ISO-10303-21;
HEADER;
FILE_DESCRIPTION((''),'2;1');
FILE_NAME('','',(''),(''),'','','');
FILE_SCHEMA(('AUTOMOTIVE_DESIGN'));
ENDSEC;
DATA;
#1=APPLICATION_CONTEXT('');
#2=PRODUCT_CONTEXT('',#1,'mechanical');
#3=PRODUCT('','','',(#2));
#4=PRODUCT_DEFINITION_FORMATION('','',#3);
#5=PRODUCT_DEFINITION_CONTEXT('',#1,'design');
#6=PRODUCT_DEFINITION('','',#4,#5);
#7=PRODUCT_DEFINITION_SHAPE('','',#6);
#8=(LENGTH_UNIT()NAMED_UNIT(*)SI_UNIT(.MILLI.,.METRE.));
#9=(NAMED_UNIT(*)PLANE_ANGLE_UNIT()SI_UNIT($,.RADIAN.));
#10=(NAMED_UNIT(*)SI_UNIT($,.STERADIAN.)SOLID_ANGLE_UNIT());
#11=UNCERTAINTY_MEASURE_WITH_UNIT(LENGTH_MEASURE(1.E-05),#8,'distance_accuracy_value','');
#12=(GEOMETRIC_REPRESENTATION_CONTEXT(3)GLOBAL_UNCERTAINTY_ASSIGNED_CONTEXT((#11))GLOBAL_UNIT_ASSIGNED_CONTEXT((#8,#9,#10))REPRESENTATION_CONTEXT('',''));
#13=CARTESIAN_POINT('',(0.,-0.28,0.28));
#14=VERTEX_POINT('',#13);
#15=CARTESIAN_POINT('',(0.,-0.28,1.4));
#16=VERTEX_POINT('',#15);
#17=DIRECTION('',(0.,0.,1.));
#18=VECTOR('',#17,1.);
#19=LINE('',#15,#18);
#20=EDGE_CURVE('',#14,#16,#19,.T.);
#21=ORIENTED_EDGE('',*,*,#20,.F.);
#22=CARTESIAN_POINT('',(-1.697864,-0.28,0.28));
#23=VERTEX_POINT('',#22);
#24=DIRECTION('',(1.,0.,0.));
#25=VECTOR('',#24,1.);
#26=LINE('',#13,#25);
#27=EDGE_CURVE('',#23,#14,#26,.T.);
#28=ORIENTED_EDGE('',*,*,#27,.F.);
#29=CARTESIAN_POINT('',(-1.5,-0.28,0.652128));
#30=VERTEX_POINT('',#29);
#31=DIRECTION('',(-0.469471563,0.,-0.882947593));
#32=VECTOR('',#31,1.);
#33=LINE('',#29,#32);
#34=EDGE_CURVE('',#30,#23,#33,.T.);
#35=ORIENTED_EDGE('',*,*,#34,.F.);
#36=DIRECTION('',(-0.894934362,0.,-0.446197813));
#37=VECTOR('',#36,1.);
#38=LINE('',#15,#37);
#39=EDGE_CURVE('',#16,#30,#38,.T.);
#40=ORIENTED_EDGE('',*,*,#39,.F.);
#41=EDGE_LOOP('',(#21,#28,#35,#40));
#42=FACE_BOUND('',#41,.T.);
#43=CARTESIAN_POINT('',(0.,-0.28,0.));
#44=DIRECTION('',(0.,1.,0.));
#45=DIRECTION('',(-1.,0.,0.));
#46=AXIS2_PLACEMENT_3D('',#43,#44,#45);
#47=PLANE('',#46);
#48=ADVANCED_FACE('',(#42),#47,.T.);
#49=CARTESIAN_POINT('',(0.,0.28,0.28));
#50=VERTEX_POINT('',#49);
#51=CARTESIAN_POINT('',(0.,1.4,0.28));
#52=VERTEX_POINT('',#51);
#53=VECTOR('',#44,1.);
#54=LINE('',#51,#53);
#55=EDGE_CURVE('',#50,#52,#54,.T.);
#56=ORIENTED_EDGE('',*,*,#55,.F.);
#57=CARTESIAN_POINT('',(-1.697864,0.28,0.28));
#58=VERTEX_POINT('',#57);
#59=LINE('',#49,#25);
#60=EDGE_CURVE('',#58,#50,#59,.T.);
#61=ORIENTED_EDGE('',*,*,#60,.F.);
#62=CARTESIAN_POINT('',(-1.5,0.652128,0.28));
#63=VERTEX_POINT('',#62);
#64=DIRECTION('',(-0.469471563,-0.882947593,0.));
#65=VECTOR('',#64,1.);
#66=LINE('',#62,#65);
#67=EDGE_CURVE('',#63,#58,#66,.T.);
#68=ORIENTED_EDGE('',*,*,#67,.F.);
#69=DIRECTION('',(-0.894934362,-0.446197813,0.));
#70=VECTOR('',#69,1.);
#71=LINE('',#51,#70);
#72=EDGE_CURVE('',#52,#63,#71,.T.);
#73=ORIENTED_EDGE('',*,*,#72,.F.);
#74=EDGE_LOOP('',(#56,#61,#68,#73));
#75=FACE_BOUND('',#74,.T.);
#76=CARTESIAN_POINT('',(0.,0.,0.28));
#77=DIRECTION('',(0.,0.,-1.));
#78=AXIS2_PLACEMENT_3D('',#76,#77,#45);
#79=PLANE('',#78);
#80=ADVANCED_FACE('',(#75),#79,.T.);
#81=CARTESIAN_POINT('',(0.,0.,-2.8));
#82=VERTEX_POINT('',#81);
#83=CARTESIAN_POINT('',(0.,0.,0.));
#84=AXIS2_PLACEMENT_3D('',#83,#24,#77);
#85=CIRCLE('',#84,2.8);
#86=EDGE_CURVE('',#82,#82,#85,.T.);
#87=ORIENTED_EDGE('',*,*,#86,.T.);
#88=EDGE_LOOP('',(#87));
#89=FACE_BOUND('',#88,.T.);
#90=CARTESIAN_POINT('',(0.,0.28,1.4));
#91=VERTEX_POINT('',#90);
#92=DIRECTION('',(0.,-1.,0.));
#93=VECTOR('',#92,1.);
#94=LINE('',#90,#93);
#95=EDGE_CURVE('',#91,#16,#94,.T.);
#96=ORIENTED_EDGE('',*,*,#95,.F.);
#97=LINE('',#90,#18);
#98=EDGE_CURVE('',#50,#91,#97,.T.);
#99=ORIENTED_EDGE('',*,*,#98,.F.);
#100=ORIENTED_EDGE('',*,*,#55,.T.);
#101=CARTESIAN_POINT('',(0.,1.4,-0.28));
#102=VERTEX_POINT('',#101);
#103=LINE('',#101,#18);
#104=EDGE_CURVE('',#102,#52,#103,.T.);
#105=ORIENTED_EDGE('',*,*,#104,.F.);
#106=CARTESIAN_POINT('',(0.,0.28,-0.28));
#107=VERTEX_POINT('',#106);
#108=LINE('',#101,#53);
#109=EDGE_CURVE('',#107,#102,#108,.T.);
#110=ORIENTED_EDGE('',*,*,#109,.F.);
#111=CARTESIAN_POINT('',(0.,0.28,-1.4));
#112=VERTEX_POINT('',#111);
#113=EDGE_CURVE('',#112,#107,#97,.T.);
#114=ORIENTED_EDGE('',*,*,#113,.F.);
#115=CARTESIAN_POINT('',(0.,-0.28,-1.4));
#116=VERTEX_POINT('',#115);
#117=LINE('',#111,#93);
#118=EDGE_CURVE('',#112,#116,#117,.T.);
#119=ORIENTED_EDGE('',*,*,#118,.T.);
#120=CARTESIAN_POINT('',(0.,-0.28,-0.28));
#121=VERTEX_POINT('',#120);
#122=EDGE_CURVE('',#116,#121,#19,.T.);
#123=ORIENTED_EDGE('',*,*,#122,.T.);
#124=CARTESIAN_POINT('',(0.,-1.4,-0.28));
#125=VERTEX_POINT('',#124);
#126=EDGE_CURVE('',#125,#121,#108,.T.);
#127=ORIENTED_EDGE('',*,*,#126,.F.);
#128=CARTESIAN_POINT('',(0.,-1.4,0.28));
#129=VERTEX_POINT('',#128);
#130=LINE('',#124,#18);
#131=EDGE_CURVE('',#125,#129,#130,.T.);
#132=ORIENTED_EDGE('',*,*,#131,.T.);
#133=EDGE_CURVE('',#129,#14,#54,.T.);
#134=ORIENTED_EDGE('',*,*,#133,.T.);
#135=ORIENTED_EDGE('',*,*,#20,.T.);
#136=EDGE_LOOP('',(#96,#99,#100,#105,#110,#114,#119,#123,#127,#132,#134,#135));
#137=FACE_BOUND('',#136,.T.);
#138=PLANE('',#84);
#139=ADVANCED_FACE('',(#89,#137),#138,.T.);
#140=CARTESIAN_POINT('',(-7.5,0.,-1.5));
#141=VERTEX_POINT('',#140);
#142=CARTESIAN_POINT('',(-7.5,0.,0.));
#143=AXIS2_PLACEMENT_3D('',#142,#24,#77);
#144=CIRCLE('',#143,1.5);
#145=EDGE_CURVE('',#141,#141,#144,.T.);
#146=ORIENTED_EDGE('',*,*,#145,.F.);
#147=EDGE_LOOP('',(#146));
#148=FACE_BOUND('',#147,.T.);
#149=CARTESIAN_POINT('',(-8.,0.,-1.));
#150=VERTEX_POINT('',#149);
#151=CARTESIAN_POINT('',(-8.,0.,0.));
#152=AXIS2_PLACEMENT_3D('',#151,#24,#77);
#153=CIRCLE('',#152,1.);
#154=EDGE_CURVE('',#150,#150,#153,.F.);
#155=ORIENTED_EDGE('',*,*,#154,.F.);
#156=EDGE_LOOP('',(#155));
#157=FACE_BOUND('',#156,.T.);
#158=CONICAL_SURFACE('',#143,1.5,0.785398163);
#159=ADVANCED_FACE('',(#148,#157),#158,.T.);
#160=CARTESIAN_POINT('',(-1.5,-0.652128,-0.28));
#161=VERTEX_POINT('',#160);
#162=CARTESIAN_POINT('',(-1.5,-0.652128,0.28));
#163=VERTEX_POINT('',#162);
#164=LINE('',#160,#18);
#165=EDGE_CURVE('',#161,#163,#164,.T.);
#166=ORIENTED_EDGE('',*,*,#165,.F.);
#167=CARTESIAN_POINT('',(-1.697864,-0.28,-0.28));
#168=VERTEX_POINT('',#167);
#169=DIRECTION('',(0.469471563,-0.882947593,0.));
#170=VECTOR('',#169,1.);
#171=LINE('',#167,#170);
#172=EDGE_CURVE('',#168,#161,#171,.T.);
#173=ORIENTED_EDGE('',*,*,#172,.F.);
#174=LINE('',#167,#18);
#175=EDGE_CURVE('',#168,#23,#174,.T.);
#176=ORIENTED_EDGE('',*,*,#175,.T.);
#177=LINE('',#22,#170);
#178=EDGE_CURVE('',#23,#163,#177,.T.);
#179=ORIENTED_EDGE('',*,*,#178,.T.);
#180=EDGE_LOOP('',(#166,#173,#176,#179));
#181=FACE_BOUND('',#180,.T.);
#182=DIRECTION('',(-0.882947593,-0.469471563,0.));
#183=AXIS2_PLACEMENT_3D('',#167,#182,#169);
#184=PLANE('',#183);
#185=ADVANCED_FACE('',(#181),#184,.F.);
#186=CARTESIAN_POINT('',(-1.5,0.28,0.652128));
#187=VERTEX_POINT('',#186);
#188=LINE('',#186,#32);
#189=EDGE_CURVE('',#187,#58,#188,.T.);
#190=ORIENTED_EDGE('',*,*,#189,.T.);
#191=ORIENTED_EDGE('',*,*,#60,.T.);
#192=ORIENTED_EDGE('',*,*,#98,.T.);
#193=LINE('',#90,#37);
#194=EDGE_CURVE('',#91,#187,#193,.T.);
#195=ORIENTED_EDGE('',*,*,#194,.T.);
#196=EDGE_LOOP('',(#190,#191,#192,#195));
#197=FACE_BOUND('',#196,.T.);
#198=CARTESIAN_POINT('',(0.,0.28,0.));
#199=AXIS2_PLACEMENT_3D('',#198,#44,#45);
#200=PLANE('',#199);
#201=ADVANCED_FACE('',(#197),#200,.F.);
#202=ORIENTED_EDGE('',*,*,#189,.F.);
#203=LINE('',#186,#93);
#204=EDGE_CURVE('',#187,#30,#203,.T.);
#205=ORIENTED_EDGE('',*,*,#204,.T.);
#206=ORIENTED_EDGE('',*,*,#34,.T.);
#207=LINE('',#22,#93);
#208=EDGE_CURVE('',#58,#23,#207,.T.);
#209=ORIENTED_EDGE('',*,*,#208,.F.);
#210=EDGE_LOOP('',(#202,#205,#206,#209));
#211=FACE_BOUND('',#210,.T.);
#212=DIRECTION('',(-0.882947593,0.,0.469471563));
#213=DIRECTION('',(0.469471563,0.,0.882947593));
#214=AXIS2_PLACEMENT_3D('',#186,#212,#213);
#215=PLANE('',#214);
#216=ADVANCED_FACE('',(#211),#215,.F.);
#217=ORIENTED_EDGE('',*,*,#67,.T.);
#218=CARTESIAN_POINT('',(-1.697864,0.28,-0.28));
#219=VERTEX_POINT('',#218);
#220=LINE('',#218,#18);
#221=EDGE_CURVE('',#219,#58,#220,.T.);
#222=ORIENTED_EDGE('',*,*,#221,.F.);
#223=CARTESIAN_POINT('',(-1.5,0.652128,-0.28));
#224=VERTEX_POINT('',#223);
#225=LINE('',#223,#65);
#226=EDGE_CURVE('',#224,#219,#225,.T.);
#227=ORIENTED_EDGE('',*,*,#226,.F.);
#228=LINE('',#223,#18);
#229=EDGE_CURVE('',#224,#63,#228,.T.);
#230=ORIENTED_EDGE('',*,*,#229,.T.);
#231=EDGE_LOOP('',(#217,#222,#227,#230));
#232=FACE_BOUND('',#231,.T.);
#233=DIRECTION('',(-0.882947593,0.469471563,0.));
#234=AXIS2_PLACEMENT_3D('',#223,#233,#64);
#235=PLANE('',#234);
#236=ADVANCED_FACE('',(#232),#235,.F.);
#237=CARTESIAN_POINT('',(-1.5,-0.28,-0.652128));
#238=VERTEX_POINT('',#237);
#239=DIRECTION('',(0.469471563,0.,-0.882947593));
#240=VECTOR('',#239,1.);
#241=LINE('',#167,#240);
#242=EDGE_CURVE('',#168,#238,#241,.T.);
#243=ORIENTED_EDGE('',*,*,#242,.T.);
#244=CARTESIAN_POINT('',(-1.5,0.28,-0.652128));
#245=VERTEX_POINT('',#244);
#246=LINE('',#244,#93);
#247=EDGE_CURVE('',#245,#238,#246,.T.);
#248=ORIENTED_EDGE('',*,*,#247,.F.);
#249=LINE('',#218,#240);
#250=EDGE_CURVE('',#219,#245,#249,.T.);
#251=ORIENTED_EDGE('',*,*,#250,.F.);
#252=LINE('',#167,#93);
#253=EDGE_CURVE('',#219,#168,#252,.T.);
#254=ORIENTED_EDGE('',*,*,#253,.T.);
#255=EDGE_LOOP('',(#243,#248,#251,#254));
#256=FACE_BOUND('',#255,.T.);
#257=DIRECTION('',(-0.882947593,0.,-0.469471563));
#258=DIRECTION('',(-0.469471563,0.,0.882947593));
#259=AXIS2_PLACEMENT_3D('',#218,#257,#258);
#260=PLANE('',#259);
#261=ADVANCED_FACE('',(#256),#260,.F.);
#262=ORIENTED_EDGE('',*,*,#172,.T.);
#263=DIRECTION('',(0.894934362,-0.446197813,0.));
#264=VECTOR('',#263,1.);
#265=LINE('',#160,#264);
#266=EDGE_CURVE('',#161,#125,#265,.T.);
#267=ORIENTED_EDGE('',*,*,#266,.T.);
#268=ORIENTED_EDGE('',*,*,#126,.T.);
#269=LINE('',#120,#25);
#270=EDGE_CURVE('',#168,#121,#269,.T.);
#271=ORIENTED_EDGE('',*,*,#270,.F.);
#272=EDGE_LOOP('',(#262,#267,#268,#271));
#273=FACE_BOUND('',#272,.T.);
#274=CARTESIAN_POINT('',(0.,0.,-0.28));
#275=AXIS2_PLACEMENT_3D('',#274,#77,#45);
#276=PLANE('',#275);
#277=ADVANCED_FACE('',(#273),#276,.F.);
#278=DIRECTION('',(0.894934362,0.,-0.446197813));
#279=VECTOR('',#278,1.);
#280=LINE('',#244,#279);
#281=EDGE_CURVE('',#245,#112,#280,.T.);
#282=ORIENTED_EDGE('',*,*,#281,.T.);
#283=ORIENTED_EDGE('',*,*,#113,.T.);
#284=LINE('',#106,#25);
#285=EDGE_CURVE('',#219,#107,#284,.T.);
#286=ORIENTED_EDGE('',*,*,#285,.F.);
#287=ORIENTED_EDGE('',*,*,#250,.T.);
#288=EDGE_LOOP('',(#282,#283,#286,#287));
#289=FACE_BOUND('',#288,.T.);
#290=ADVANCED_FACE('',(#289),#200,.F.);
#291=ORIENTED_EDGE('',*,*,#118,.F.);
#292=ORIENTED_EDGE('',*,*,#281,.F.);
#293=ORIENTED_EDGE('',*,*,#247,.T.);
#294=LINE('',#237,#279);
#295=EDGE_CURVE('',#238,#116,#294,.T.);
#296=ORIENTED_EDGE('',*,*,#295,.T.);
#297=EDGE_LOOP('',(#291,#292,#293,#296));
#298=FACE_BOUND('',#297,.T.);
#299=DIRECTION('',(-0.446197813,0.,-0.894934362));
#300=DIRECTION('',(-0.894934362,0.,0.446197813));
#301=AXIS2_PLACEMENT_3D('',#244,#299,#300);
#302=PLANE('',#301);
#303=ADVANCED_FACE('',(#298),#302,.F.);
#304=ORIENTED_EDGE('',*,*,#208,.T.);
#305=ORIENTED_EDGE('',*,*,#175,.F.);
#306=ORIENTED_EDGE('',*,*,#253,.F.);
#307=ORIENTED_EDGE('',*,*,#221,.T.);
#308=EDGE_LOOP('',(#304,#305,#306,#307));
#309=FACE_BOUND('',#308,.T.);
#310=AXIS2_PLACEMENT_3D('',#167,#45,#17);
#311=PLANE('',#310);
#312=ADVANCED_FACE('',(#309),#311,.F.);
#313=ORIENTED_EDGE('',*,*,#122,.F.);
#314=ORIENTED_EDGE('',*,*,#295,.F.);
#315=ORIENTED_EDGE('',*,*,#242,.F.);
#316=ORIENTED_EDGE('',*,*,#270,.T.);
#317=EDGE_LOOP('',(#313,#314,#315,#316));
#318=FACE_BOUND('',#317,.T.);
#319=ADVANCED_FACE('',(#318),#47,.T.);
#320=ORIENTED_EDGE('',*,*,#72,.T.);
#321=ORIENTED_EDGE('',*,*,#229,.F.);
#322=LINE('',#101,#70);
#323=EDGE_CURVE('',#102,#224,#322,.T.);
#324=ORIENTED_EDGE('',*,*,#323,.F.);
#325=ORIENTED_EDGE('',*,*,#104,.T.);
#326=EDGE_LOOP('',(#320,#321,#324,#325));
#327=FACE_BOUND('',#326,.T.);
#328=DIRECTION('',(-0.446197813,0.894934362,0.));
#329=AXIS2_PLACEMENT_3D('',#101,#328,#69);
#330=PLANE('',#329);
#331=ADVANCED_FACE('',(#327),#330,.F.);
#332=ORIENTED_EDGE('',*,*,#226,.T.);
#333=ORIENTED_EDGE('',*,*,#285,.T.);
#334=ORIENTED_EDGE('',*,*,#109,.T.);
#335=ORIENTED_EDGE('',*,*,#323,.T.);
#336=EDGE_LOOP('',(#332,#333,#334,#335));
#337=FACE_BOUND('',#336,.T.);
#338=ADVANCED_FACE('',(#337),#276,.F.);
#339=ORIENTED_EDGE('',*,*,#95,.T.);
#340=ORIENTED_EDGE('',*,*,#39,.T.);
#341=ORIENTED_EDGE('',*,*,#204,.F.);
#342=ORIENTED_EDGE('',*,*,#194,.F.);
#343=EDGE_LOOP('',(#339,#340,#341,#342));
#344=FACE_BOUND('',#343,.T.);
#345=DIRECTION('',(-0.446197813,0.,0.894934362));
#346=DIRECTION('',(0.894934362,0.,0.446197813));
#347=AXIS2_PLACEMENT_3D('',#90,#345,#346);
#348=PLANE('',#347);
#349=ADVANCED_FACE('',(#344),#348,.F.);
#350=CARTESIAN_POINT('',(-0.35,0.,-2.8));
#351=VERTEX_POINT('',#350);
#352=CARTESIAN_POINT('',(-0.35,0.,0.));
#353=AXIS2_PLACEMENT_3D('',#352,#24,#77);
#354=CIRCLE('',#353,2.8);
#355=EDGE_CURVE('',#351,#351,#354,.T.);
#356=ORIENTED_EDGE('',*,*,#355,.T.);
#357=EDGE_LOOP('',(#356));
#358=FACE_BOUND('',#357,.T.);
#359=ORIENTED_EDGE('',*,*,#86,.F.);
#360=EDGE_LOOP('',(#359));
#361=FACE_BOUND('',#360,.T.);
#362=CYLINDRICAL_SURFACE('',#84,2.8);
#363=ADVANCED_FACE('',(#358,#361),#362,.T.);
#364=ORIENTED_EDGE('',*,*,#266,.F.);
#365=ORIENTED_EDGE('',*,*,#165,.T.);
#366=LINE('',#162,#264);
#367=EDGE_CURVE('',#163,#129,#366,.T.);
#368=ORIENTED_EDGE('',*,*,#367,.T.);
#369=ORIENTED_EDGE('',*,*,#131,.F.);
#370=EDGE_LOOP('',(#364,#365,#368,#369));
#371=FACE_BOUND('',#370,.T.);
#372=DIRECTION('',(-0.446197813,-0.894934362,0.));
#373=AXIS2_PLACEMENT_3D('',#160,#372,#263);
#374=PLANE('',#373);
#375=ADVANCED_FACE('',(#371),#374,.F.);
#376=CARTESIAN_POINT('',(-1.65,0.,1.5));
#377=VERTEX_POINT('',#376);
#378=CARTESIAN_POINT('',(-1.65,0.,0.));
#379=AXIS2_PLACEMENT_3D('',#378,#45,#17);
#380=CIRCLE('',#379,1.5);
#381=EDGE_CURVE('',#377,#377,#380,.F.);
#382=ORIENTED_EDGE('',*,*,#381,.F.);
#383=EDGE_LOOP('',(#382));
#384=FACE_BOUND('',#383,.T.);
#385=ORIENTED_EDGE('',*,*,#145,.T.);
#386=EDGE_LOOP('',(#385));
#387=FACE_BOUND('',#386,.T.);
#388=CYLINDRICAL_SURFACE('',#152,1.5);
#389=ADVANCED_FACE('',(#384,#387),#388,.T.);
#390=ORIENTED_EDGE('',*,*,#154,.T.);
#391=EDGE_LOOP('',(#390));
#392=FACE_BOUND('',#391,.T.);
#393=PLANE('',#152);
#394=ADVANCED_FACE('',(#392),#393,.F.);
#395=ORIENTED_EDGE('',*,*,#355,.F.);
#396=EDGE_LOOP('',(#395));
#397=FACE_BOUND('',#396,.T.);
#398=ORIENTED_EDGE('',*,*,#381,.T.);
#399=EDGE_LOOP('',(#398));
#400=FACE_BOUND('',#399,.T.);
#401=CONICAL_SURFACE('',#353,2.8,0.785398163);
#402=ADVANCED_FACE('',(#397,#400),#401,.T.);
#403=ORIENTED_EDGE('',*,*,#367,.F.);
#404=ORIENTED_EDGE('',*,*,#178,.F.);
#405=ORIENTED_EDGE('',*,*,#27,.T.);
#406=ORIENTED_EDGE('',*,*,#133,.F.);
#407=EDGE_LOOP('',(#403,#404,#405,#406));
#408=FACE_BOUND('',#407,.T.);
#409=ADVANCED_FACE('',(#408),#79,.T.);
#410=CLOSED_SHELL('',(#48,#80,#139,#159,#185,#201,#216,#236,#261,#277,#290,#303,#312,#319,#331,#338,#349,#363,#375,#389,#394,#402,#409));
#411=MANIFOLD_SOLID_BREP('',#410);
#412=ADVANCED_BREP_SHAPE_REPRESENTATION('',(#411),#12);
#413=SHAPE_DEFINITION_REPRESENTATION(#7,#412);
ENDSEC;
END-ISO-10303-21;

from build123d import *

# Parameters (mm, degrees)
SKETCH_1_R               = 1.5
EXTRUDE_606_DEPTH        = 8
CHAMFER_689_SIZE         = 0.5
CUT_EXTRUDE_1_DEPTH      = 0.28
PATTERN_CIRCULAR_1_COUNT = 2
PATTERN_CIRCULAR_1_ANGLE = 90


with BuildPart() as part:
    # Эскиз1 → Extrude 606 (new body)
    with BuildSketch(Plane(origin=(0, 0, 0), x_dir=(0, 0, -1), z_dir=(1, 0, 0))):
        Circle(SKETCH_1_R)
    extrude(amount=-EXTRUDE_606_DEPTH)

    # Chamfer 689
    chamfer_689_edges = [part.edges().sort_by_distance(p)[0] for p in [
        (-8, 0, 1.5),
    ]]
    chamfer(chamfer_689_edges, length=CHAMFER_689_SIZE)

    # Эскиз7 → Revolve 901 (revolve)
    with BuildSketch(Plane.XY, mode=Mode.PRIVATE) as revolve_901_sk:
        Polygon((0, 0), (0, 2.8), (-0.35, 2.8), (-1.65, 1.5), (-1.65, 0), align=None)
    revolve(revolve_901_sk.sketch.rotate(Axis((0, 0, 0), (-1, 0, 0)), 90), axis=Axis((0, 0, 0), (-1, 0, 0)))

    # Эскиз10 → Вырез-Вытянуть1 (cut, symmetric)
    with BuildSketch(Plane.XY):
        Polygon((0, 1.4), (0, -1.4), (-1.5, -0.652127588), (-1.697863748, -0.28), (-1.697863748, 0.28), (-1.5, 0.652127588), align=None)
    cut_extrude_1 = extrude(amount=CUT_EXTRUDE_1_DEPTH, both=True, mode=Mode.SUBTRACT)

    # Круговой массив1: Вырез-Вытянуть1 ×2 about axis
    pattern_circular_1_axis = Axis((0, 0, 0), (1, 0, 0))
    for i in range(1, PATTERN_CIRCULAR_1_COUNT):
        add(cut_extrude_1.rotate(pattern_circular_1_axis, i * PATTERN_CIRCULAR_1_ANGLE / (PATTERN_CIRCULAR_1_COUNT - 1)), mode=Mode.SUBTRACT)


solid = part.part
